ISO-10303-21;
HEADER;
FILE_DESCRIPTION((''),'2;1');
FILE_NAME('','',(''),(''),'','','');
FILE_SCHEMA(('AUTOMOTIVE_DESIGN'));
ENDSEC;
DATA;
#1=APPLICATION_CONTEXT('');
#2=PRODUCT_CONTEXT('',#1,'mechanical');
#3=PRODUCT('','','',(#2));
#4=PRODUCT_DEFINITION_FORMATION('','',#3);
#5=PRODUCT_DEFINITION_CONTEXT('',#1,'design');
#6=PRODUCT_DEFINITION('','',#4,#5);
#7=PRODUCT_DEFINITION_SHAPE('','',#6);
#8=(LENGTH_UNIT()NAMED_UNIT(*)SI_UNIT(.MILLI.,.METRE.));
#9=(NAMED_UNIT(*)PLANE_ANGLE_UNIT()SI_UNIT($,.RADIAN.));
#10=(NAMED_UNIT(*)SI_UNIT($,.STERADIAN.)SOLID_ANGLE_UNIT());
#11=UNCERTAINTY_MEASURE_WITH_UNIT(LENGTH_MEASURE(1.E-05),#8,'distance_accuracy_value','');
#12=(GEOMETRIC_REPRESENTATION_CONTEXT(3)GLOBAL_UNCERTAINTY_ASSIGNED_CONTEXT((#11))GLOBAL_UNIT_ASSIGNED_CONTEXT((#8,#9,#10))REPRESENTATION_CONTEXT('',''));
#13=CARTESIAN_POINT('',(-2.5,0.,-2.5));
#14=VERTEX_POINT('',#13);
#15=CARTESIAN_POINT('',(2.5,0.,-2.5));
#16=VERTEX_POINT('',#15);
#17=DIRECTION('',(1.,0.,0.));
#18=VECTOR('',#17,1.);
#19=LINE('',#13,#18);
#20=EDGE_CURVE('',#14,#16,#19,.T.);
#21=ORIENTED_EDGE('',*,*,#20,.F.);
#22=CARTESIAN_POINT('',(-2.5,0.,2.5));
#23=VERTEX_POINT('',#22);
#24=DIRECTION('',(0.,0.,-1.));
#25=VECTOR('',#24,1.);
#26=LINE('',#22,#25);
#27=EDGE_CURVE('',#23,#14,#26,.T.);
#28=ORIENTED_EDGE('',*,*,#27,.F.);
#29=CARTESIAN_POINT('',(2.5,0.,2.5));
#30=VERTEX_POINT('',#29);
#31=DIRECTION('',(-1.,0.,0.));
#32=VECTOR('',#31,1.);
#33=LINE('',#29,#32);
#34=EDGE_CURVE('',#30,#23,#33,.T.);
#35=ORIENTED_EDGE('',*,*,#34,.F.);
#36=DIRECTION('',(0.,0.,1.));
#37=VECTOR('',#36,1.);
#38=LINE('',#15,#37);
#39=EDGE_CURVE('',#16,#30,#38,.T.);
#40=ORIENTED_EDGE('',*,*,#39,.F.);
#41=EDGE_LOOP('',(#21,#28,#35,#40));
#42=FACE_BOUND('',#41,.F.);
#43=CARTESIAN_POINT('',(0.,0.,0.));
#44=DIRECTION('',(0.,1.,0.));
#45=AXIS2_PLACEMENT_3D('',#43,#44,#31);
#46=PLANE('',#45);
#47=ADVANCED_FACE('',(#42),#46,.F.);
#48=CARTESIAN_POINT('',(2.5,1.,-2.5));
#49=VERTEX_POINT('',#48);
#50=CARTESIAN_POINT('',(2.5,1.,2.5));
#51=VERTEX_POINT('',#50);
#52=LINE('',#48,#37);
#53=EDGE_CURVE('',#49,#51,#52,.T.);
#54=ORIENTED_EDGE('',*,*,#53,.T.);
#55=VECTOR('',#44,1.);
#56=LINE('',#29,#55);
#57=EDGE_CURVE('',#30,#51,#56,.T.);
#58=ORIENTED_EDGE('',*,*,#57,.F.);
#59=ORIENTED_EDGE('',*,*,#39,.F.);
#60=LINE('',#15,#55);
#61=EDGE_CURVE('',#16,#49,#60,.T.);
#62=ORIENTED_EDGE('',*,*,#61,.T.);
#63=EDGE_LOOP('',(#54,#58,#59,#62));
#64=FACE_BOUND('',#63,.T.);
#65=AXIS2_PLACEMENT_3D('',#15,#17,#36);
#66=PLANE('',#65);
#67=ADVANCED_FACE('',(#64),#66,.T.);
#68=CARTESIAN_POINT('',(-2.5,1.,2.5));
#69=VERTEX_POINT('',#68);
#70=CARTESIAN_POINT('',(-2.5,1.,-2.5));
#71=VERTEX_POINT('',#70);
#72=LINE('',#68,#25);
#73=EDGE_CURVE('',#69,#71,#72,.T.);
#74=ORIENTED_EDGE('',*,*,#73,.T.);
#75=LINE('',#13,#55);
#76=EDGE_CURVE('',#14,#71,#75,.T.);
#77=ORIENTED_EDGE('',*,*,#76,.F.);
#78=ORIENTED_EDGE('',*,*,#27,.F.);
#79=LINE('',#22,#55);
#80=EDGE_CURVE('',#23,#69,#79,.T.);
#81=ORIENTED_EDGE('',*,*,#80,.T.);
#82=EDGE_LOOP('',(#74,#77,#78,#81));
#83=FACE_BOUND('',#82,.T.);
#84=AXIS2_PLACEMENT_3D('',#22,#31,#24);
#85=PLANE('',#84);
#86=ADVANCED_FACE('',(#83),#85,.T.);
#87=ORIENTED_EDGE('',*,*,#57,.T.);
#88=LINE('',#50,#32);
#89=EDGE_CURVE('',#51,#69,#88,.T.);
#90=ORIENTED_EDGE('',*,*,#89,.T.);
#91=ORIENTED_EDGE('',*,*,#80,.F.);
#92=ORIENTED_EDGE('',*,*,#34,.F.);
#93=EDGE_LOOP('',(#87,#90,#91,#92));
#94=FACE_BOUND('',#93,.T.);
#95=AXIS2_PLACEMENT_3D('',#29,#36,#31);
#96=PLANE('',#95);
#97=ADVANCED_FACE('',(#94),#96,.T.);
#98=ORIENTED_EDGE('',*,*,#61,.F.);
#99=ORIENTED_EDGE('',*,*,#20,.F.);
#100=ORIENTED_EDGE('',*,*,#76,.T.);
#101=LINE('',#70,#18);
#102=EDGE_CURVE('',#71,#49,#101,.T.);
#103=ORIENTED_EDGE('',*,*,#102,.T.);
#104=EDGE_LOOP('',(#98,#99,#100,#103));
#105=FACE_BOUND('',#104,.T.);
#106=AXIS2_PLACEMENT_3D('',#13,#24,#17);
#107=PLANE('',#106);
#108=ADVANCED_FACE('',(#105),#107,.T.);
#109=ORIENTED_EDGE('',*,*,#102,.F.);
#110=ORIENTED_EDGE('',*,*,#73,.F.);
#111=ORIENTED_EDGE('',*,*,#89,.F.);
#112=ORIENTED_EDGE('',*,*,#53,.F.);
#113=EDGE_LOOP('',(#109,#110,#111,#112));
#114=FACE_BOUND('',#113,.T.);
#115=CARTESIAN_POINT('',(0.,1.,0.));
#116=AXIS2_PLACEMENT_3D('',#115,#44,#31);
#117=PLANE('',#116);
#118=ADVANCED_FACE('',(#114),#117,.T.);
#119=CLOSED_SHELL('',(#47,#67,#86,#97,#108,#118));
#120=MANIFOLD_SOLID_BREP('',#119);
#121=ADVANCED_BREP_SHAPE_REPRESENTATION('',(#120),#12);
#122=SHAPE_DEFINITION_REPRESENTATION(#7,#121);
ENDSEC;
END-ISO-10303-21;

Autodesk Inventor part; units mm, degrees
ref_plane "YZ Plane" through (0, 0, 0) normal (1, 0, 0) x (0, 1, 0)
ref_plane "XZ Plane" through (0, 0, 0) normal (0, 1, 0) x (-1, 0, 0)
ref_plane "XY Plane" through (0, 0, 0) normal (0, 0, 1) x (1, 0, 0)
sketch "Sketch1" plane through (0, 0, 0) normal (0, 1, 0) x (-1, 0, 0)
  line L0 (-2.5, 2.5) -> (2.5, 2.5)
  line L1 (2.5, 2.5) -> (2.5, -2.5)
  line L2 (2.5, -2.5) -> (-2.5, -2.5)
  line L3 (-2.5, -2.5) -> (-2.5, 2.5)
  line L4 (-2.5, 2.5) -> (2.5, -2.5) construction
  line L5 (2.5, 2.5) -> (-2.5, -2.5) construction
  point P0 (0, 0)
  dimension "d0" = 5
  dimension "d1" = 5
extrude "Extrusion1" add sketch "Sketch1" along normal blind 1
properties part number "Viewing Mirror"
